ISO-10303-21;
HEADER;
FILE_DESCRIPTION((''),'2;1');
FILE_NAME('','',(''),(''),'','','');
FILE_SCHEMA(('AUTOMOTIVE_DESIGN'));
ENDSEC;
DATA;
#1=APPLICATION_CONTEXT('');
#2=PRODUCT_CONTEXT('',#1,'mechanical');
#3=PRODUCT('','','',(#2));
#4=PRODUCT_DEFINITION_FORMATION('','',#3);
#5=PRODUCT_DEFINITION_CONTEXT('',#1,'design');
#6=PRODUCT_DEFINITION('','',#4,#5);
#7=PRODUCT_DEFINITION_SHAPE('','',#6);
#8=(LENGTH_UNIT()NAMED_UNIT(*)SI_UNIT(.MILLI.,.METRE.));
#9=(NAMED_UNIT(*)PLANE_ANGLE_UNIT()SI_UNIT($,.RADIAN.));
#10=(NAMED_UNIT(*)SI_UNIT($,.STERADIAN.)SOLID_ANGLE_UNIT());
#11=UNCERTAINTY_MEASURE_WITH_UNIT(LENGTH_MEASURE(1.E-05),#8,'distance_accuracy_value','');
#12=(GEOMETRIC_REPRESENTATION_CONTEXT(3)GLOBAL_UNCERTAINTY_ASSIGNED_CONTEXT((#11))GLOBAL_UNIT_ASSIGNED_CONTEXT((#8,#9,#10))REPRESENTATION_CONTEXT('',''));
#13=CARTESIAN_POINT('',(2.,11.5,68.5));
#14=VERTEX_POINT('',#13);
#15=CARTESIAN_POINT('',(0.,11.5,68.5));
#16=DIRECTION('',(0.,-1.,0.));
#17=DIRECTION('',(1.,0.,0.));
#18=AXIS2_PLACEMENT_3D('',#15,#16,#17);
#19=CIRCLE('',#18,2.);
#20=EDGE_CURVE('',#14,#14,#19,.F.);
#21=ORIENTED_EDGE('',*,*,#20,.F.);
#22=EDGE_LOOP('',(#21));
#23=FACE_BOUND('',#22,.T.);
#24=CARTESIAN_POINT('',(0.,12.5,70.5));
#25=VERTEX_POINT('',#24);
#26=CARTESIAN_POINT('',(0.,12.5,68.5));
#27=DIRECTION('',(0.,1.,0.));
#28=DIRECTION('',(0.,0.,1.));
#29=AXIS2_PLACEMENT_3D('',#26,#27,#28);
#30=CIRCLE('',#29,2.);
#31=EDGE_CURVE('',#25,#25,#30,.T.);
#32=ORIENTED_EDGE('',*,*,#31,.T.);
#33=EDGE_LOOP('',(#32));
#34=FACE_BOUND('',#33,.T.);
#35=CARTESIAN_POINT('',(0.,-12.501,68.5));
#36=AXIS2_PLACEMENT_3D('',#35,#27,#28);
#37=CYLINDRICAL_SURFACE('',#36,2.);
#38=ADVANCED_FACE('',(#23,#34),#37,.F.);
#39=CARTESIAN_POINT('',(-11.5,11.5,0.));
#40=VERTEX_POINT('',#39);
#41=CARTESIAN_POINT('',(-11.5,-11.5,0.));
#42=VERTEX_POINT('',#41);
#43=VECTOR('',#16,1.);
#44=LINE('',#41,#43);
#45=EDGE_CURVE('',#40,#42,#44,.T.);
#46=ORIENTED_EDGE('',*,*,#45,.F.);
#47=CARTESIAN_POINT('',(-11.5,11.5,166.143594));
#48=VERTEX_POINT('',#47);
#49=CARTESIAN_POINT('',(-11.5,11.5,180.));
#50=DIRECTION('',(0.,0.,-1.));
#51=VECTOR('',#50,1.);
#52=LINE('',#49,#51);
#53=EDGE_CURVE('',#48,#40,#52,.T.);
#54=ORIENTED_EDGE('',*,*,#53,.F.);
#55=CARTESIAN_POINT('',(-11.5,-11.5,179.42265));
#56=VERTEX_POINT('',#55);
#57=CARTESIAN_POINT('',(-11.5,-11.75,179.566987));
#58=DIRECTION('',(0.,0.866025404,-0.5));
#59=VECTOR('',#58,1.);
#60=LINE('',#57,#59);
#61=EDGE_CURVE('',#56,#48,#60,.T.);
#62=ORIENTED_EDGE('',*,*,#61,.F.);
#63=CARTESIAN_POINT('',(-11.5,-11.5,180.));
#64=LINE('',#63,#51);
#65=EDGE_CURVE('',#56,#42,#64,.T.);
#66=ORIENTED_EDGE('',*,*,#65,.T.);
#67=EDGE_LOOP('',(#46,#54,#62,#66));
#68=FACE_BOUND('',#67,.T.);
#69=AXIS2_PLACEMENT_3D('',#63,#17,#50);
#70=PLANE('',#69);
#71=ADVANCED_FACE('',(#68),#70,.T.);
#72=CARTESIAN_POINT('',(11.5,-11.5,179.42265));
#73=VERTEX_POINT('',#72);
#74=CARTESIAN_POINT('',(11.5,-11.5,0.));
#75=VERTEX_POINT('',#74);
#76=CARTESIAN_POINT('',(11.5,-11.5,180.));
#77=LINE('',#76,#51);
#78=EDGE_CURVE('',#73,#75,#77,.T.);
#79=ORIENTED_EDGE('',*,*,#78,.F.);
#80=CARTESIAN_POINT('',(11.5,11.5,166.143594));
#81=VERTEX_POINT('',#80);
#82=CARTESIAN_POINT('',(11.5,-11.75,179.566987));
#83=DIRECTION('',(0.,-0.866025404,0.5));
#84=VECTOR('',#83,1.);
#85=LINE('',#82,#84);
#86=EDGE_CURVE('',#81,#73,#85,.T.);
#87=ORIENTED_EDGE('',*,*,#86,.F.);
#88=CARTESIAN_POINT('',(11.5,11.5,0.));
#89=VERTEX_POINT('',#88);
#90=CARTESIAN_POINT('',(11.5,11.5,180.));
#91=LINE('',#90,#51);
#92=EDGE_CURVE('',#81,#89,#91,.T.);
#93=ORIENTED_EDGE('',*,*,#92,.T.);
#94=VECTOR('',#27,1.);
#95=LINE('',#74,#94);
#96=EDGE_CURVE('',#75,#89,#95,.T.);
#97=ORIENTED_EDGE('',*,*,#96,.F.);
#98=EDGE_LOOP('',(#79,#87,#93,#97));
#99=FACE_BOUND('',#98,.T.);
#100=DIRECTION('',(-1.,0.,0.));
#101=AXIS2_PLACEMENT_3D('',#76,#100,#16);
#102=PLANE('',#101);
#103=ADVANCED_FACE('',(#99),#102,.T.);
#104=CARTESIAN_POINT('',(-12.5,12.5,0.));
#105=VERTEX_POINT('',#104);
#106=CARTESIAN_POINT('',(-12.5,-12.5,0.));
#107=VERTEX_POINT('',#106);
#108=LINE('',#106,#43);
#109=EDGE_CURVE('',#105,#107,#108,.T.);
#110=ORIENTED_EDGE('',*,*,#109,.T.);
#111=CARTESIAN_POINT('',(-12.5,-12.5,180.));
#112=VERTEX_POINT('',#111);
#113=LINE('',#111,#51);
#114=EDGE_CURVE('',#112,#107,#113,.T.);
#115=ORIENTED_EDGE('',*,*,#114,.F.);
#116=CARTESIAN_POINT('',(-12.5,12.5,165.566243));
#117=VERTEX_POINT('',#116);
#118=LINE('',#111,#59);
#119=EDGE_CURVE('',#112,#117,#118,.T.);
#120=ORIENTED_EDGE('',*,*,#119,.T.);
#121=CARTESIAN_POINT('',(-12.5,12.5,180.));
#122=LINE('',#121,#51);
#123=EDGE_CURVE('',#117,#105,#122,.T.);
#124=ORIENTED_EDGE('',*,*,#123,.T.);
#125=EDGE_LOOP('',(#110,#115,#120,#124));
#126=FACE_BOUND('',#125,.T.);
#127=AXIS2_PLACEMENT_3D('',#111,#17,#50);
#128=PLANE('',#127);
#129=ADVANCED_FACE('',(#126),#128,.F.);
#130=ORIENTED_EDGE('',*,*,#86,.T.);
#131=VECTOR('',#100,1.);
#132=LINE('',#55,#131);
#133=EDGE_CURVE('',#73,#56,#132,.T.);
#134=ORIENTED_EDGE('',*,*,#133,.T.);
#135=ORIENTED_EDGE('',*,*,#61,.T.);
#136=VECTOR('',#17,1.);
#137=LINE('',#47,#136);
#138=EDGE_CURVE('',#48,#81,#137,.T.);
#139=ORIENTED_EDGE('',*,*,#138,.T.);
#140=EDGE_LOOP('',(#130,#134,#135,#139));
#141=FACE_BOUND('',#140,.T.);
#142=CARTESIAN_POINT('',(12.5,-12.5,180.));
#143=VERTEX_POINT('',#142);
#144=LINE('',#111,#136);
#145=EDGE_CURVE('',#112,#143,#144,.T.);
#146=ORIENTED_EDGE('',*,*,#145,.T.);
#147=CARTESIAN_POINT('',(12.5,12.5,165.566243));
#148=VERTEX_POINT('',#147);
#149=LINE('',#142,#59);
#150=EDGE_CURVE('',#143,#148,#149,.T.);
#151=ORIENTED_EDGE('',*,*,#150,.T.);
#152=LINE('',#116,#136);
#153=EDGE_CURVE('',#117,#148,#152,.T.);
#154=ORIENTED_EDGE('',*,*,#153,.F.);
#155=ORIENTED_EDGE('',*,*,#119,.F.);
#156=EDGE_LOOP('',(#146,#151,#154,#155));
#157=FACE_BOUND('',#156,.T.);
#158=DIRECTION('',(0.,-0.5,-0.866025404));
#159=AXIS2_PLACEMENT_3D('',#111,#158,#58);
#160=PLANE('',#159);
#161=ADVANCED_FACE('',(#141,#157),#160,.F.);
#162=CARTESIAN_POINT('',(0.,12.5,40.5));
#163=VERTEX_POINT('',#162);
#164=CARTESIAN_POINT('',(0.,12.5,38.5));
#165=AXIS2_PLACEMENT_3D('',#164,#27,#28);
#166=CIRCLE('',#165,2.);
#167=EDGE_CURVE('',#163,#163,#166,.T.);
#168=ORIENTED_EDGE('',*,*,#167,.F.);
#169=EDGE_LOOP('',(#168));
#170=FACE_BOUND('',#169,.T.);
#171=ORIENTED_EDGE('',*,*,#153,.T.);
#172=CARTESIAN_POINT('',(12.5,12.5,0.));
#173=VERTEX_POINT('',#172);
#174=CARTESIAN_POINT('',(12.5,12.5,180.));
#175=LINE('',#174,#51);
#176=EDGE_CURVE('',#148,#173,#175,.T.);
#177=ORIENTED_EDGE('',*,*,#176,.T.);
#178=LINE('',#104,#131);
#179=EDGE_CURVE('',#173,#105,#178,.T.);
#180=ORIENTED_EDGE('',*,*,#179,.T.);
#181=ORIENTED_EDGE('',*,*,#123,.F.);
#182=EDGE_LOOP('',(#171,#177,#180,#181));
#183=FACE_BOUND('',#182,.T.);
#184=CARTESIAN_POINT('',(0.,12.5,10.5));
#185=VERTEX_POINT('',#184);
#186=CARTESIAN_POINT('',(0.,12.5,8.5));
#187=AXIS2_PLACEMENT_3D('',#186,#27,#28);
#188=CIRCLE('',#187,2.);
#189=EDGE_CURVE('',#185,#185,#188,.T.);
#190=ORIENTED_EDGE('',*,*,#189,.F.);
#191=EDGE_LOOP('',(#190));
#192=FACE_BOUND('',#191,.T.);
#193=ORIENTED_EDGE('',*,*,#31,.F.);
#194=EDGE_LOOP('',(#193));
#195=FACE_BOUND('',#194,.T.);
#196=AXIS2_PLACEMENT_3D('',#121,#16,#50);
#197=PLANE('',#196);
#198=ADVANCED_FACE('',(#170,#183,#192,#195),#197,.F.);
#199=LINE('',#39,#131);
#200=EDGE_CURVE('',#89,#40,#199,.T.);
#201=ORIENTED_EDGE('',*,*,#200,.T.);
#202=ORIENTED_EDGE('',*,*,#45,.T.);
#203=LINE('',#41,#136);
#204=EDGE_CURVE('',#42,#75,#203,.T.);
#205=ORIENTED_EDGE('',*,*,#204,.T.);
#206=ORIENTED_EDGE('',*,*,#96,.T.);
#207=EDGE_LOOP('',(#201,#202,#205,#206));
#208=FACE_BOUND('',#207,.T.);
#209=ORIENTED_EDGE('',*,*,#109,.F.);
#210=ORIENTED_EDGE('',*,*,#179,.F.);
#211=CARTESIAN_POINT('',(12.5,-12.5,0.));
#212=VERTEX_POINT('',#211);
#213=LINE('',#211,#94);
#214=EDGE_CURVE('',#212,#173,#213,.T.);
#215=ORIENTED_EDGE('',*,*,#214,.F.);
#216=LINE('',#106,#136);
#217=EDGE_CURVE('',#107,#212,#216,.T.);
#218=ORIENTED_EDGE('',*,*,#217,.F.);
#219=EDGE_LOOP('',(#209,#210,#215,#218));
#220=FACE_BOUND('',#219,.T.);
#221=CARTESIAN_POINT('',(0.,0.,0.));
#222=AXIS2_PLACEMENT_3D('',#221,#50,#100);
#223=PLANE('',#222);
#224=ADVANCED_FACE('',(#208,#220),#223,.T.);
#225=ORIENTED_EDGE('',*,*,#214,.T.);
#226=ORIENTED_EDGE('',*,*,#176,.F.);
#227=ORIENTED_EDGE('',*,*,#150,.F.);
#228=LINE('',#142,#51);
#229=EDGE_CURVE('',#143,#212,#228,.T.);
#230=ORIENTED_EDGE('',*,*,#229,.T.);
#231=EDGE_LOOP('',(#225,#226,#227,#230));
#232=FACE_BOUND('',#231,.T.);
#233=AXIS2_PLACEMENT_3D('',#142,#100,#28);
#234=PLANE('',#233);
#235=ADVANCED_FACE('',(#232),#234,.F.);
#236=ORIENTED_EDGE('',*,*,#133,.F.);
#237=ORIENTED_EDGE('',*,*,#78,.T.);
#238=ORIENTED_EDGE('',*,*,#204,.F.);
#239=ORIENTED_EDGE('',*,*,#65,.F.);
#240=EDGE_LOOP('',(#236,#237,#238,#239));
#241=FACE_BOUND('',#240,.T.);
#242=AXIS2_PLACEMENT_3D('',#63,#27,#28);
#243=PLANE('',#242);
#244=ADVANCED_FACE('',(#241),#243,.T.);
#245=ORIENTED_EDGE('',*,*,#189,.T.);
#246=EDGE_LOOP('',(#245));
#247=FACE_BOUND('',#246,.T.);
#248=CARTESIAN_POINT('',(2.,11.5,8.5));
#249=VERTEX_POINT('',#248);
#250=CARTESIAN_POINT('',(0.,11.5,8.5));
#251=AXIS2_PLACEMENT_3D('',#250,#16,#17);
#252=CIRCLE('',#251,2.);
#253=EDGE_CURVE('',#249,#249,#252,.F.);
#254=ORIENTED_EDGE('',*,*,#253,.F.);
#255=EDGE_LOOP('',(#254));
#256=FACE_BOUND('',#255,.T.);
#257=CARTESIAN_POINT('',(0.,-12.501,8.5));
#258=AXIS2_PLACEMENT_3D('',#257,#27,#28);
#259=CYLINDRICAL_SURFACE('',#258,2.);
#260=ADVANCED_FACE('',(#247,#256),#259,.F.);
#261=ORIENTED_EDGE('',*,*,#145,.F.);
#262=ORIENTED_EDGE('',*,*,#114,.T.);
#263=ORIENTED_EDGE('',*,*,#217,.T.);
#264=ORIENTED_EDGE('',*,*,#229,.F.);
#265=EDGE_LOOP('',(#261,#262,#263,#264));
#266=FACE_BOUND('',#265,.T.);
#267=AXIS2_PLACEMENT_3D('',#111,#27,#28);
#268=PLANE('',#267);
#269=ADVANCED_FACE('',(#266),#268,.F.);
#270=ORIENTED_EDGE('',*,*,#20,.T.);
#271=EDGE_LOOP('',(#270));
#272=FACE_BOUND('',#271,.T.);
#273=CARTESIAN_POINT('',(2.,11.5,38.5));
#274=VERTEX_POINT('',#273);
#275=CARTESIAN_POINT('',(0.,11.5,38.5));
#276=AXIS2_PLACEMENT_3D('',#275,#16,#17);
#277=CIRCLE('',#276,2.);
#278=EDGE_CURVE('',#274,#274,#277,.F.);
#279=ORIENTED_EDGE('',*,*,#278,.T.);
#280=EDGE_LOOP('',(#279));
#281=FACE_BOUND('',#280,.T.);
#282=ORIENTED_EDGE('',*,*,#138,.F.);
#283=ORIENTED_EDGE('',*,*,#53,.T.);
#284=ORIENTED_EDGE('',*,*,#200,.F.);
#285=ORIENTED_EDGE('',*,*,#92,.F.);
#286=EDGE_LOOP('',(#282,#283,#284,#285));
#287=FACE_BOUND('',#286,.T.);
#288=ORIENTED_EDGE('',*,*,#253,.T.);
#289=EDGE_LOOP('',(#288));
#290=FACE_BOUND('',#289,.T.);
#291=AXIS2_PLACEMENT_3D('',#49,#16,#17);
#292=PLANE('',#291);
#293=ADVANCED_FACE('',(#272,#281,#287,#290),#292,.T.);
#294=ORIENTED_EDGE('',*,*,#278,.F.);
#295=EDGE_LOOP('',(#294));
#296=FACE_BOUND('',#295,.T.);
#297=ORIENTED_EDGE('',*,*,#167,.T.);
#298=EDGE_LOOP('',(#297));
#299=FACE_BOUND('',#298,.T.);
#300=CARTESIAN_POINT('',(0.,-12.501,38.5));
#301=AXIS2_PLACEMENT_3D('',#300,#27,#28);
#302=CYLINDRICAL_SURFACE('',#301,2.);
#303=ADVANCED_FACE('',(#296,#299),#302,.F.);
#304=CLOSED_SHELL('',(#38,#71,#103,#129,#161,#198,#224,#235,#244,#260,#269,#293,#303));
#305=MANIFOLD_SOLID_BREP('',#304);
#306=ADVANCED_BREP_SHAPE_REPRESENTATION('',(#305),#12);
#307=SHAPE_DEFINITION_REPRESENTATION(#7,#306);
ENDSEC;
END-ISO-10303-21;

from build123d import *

# Parameters (mm, degrees)
SKETCH1_W           = 25
SKETCH1_H           = 25
SKETCH1_W_2         = 23
SKETCH1_H_2         = 23
BOSS_EXTRUDE1_DEPTH = 180
CUT_EXTRUDE1_DEPTH  = 183.157212319
CUT_EXTRUDE2_REACH  = 184.157
SKETCH3_R           = 2


with BuildPart() as part:
    # Sketch1 → Boss-Extrude1 (new body)
    with BuildSketch(Plane.XY):
        Rectangle(SKETCH1_W, SKETCH1_H)
        Rectangle(SKETCH1_W_2, SKETCH1_H_2, mode=Mode.SUBTRACT)
    extrude(amount=BOSS_EXTRUDE1_DEPTH)

    # Sketch2 → Cut-Extrude1 (cut, through all)
    with BuildSketch(Plane(origin=(12.5, 0, 0), x_dir=(0, 0, -1), z_dir=(1, 0, 0))):
        Polygon((-180, -12.5), (-165.56624327, 12.5), (-180, 12.5), align=None)
    extrude(amount=-CUT_EXTRUDE1_DEPTH, mode=Mode.SUBTRACT)

    # Sketch3 → Cut-Extrude2 (cut, up to next)
    with BuildSketch(Plane(origin=(0, 12.5, 0), x_dir=(1, 0, 0), z_dir=(0, 1, 0)), mode=Mode.PRIVATE) as cut_extrude2_sk1:
        with Locations(Location((0, -8.5, 0), (0, 0, 270))):
            Circle(SKETCH3_R)
    cut_extrude2_tool1 = extrude(cut_extrude2_sk1.sketch, amount=-CUT_EXTRUDE2_REACH, mode=Mode.PRIVATE) & part.part
    # Sketch3 → Cut-Extrude2 (cut, up to next)
    with BuildSketch(Plane(origin=(0, 12.5, 0), x_dir=(1, 0, 0), z_dir=(0, 1, 0)), mode=Mode.PRIVATE) as cut_extrude2_sk2:
        with Locations(Location((0, -38.5, 0), (0, 0, 270))):
            Circle(SKETCH3_R)
    cut_extrude2_tool2 = extrude(cut_extrude2_sk2.sketch, amount=-CUT_EXTRUDE2_REACH, mode=Mode.PRIVATE) & part.part
    # Sketch3 → Cut-Extrude2 (cut, up to next)
    with BuildSketch(Plane(origin=(0, 12.5, 0), x_dir=(1, 0, 0), z_dir=(0, 1, 0)), mode=Mode.PRIVATE) as cut_extrude2_sk3:
        with Locations(Location((0, -68.5, 0), (0, 0, 270))):
            Circle(SKETCH3_R)
    cut_extrude2_tool3 = extrude(cut_extrude2_sk3.sketch, amount=-CUT_EXTRUDE2_REACH, mode=Mode.PRIVATE) & part.part
    add(cut_extrude2_tool1.solids().sort_by_distance((0, 12.5, 8.5))[0], mode=Mode.SUBTRACT)
    add(cut_extrude2_tool2.solids().sort_by_distance((0, 12.5, 38.5))[0], mode=Mode.SUBTRACT)
    add(cut_extrude2_tool3.solids().sort_by_distance((0, 12.5, 68.5))[0], mode=Mode.SUBTRACT)


solid = part.part
